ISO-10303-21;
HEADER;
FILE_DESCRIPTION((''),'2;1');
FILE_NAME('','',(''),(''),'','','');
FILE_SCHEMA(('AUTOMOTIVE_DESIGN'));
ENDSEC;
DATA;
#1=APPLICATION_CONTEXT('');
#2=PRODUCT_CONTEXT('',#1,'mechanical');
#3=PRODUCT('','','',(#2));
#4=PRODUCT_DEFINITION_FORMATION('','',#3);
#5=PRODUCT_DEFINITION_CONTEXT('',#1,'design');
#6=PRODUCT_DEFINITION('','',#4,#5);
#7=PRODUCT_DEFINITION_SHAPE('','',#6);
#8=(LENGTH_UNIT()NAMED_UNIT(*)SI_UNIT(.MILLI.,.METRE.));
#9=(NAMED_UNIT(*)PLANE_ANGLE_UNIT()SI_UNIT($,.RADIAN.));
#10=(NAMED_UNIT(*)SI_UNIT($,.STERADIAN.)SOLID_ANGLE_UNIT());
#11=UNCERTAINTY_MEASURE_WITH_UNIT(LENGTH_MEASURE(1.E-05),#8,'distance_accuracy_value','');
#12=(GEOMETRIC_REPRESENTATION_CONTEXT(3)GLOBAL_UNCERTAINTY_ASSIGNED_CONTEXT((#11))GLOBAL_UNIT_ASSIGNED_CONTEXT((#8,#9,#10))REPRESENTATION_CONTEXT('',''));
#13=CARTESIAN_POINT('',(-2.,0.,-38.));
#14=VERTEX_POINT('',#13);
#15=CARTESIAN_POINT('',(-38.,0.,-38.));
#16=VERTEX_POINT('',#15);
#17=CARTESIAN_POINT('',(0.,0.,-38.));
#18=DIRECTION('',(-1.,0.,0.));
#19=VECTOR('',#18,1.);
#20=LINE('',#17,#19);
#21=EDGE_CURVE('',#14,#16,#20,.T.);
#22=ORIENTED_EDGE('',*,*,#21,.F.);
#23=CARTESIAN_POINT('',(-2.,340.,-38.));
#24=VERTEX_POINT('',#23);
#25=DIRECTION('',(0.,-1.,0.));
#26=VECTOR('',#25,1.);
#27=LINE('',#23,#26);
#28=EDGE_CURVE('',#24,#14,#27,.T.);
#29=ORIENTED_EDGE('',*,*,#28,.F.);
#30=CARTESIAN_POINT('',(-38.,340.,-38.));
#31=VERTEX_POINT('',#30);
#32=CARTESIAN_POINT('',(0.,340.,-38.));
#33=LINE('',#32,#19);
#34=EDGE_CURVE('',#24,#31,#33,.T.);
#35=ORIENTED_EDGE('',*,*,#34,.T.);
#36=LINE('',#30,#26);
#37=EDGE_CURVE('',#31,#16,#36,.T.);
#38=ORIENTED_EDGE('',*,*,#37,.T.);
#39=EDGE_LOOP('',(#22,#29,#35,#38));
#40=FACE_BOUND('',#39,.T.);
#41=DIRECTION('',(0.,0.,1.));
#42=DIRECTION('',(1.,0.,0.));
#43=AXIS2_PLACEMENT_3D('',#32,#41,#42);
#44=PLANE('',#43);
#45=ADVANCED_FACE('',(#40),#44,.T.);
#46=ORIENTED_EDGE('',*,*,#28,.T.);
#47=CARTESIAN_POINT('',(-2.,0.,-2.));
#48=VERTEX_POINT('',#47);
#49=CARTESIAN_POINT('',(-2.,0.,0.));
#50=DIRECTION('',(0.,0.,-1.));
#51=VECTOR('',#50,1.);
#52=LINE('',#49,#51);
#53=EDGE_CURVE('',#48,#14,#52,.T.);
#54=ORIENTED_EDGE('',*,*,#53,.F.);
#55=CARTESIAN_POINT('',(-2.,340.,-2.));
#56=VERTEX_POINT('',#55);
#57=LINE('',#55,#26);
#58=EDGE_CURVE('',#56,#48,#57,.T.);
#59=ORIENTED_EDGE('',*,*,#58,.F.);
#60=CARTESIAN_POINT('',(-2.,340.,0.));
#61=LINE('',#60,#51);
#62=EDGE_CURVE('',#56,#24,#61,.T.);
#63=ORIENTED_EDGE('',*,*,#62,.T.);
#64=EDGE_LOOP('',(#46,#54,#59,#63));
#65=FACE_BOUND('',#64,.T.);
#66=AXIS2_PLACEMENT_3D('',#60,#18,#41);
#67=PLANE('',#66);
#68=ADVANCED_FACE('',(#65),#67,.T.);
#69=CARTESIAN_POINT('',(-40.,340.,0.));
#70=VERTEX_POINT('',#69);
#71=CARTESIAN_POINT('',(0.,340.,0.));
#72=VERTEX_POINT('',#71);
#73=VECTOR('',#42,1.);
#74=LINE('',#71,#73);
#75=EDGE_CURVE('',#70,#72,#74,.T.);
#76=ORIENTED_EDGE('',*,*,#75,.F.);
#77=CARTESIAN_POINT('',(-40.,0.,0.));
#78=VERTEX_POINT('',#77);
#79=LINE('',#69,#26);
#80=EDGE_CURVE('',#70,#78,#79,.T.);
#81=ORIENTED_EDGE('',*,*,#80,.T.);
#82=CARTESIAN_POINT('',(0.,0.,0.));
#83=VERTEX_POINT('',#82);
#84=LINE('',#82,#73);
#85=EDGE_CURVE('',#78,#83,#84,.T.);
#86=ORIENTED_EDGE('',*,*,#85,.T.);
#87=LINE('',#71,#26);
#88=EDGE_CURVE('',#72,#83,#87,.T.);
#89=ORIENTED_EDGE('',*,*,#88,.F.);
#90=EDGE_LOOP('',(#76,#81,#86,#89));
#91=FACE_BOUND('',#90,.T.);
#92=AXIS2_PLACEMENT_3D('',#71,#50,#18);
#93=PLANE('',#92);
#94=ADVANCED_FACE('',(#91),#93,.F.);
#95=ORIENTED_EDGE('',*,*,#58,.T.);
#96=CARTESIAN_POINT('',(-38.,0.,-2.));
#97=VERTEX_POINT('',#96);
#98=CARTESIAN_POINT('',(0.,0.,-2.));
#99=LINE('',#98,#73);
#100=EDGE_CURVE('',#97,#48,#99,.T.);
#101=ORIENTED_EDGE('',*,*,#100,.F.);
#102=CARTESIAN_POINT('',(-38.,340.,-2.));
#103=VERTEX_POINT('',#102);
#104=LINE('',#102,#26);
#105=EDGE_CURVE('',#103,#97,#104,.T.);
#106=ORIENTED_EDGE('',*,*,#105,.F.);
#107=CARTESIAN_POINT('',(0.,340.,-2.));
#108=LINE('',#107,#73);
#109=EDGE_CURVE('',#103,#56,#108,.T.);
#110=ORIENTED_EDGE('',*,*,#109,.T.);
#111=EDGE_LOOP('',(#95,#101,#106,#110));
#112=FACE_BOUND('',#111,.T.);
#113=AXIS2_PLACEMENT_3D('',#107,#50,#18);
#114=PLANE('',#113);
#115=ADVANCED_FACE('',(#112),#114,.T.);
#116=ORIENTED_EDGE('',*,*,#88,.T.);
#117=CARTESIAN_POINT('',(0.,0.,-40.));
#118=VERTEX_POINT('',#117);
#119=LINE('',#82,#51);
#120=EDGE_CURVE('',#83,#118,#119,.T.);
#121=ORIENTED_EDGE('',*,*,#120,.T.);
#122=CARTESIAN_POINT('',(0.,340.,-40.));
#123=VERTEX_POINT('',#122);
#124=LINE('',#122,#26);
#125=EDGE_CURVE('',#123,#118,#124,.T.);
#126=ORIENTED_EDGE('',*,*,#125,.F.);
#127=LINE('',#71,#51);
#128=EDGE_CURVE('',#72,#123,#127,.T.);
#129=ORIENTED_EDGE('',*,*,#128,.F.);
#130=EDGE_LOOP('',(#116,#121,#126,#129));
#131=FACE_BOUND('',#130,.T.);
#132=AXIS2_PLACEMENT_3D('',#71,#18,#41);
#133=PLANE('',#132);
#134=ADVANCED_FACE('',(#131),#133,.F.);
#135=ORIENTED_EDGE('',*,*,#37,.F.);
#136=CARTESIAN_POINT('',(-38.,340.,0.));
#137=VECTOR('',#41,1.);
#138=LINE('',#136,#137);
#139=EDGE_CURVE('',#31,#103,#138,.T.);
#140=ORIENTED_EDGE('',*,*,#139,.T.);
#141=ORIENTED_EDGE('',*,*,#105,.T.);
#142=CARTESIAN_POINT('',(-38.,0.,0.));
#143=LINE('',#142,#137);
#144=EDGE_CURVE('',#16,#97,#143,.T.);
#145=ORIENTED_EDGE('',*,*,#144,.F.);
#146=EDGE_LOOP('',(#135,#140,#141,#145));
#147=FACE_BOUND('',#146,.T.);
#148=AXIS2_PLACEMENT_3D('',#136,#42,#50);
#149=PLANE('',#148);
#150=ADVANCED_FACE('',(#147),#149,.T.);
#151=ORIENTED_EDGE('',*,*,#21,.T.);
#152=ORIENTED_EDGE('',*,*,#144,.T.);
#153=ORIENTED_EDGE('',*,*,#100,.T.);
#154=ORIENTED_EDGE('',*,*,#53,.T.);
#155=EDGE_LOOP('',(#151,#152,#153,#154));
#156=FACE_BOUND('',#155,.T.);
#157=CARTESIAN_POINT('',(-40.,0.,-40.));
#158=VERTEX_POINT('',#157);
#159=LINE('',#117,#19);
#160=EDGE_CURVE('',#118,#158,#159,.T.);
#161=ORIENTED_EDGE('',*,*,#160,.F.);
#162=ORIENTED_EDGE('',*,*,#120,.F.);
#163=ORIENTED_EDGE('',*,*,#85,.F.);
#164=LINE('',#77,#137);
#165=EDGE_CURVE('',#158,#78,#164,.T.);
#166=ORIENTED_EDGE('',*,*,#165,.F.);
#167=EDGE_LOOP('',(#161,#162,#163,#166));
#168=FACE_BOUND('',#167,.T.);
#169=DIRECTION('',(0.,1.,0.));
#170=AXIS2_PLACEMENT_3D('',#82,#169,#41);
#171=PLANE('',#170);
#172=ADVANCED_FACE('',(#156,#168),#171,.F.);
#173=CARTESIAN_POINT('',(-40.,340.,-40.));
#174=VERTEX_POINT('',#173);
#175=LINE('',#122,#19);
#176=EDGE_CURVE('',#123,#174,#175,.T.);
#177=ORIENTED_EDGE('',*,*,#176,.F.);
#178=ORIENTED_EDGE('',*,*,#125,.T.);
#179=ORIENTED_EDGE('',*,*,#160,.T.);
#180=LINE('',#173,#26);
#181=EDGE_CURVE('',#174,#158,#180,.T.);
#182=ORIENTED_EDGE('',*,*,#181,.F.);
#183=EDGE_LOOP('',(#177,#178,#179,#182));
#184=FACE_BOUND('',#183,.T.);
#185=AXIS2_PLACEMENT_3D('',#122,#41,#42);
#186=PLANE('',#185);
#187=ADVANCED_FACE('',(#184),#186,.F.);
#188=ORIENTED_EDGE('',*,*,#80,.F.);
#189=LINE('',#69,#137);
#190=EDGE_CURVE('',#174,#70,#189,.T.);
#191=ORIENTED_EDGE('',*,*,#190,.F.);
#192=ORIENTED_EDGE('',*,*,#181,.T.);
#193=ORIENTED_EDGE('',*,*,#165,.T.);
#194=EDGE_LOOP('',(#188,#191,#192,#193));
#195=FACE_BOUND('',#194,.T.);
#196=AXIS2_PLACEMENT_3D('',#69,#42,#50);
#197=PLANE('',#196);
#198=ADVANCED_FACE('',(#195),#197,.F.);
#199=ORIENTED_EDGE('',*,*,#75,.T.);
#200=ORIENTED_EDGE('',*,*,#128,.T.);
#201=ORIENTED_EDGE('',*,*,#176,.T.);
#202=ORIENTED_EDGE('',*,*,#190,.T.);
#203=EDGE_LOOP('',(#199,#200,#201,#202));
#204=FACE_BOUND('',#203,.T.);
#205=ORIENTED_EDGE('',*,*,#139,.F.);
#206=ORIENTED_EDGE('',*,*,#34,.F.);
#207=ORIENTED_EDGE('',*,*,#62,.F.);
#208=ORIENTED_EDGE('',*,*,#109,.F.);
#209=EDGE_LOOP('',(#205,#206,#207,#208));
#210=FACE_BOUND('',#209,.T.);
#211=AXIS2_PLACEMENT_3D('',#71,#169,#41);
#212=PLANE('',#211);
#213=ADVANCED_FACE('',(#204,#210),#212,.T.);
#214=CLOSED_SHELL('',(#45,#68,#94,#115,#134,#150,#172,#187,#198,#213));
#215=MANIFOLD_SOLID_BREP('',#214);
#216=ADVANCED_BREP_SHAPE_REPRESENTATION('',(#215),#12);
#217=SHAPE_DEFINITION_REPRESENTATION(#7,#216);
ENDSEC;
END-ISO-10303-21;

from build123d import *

# Parameters (mm, degrees)
SKETCH1_W           = 40
SKETCH1_H           = 40
SKETCH1_W_2         = 36
SKETCH1_H_2         = 36
EXTRUDE_THIN1_DEPTH = 340


with BuildPart() as part:
    # Sketch1 → Extrude-Thin1 (new body)
    with BuildSketch(Plane(origin=(0, 0, 0), x_dir=(1, 0, 0), z_dir=(0, 1, 0))):
        with Locations((-20, 20)):
            Rectangle(SKETCH1_W, SKETCH1_H)
        with Locations((-20, 20)):
            Rectangle(SKETCH1_W_2, SKETCH1_H_2, mode=Mode.SUBTRACT)
    extrude(amount=EXTRUDE_THIN1_DEPTH)


solid = part.part
